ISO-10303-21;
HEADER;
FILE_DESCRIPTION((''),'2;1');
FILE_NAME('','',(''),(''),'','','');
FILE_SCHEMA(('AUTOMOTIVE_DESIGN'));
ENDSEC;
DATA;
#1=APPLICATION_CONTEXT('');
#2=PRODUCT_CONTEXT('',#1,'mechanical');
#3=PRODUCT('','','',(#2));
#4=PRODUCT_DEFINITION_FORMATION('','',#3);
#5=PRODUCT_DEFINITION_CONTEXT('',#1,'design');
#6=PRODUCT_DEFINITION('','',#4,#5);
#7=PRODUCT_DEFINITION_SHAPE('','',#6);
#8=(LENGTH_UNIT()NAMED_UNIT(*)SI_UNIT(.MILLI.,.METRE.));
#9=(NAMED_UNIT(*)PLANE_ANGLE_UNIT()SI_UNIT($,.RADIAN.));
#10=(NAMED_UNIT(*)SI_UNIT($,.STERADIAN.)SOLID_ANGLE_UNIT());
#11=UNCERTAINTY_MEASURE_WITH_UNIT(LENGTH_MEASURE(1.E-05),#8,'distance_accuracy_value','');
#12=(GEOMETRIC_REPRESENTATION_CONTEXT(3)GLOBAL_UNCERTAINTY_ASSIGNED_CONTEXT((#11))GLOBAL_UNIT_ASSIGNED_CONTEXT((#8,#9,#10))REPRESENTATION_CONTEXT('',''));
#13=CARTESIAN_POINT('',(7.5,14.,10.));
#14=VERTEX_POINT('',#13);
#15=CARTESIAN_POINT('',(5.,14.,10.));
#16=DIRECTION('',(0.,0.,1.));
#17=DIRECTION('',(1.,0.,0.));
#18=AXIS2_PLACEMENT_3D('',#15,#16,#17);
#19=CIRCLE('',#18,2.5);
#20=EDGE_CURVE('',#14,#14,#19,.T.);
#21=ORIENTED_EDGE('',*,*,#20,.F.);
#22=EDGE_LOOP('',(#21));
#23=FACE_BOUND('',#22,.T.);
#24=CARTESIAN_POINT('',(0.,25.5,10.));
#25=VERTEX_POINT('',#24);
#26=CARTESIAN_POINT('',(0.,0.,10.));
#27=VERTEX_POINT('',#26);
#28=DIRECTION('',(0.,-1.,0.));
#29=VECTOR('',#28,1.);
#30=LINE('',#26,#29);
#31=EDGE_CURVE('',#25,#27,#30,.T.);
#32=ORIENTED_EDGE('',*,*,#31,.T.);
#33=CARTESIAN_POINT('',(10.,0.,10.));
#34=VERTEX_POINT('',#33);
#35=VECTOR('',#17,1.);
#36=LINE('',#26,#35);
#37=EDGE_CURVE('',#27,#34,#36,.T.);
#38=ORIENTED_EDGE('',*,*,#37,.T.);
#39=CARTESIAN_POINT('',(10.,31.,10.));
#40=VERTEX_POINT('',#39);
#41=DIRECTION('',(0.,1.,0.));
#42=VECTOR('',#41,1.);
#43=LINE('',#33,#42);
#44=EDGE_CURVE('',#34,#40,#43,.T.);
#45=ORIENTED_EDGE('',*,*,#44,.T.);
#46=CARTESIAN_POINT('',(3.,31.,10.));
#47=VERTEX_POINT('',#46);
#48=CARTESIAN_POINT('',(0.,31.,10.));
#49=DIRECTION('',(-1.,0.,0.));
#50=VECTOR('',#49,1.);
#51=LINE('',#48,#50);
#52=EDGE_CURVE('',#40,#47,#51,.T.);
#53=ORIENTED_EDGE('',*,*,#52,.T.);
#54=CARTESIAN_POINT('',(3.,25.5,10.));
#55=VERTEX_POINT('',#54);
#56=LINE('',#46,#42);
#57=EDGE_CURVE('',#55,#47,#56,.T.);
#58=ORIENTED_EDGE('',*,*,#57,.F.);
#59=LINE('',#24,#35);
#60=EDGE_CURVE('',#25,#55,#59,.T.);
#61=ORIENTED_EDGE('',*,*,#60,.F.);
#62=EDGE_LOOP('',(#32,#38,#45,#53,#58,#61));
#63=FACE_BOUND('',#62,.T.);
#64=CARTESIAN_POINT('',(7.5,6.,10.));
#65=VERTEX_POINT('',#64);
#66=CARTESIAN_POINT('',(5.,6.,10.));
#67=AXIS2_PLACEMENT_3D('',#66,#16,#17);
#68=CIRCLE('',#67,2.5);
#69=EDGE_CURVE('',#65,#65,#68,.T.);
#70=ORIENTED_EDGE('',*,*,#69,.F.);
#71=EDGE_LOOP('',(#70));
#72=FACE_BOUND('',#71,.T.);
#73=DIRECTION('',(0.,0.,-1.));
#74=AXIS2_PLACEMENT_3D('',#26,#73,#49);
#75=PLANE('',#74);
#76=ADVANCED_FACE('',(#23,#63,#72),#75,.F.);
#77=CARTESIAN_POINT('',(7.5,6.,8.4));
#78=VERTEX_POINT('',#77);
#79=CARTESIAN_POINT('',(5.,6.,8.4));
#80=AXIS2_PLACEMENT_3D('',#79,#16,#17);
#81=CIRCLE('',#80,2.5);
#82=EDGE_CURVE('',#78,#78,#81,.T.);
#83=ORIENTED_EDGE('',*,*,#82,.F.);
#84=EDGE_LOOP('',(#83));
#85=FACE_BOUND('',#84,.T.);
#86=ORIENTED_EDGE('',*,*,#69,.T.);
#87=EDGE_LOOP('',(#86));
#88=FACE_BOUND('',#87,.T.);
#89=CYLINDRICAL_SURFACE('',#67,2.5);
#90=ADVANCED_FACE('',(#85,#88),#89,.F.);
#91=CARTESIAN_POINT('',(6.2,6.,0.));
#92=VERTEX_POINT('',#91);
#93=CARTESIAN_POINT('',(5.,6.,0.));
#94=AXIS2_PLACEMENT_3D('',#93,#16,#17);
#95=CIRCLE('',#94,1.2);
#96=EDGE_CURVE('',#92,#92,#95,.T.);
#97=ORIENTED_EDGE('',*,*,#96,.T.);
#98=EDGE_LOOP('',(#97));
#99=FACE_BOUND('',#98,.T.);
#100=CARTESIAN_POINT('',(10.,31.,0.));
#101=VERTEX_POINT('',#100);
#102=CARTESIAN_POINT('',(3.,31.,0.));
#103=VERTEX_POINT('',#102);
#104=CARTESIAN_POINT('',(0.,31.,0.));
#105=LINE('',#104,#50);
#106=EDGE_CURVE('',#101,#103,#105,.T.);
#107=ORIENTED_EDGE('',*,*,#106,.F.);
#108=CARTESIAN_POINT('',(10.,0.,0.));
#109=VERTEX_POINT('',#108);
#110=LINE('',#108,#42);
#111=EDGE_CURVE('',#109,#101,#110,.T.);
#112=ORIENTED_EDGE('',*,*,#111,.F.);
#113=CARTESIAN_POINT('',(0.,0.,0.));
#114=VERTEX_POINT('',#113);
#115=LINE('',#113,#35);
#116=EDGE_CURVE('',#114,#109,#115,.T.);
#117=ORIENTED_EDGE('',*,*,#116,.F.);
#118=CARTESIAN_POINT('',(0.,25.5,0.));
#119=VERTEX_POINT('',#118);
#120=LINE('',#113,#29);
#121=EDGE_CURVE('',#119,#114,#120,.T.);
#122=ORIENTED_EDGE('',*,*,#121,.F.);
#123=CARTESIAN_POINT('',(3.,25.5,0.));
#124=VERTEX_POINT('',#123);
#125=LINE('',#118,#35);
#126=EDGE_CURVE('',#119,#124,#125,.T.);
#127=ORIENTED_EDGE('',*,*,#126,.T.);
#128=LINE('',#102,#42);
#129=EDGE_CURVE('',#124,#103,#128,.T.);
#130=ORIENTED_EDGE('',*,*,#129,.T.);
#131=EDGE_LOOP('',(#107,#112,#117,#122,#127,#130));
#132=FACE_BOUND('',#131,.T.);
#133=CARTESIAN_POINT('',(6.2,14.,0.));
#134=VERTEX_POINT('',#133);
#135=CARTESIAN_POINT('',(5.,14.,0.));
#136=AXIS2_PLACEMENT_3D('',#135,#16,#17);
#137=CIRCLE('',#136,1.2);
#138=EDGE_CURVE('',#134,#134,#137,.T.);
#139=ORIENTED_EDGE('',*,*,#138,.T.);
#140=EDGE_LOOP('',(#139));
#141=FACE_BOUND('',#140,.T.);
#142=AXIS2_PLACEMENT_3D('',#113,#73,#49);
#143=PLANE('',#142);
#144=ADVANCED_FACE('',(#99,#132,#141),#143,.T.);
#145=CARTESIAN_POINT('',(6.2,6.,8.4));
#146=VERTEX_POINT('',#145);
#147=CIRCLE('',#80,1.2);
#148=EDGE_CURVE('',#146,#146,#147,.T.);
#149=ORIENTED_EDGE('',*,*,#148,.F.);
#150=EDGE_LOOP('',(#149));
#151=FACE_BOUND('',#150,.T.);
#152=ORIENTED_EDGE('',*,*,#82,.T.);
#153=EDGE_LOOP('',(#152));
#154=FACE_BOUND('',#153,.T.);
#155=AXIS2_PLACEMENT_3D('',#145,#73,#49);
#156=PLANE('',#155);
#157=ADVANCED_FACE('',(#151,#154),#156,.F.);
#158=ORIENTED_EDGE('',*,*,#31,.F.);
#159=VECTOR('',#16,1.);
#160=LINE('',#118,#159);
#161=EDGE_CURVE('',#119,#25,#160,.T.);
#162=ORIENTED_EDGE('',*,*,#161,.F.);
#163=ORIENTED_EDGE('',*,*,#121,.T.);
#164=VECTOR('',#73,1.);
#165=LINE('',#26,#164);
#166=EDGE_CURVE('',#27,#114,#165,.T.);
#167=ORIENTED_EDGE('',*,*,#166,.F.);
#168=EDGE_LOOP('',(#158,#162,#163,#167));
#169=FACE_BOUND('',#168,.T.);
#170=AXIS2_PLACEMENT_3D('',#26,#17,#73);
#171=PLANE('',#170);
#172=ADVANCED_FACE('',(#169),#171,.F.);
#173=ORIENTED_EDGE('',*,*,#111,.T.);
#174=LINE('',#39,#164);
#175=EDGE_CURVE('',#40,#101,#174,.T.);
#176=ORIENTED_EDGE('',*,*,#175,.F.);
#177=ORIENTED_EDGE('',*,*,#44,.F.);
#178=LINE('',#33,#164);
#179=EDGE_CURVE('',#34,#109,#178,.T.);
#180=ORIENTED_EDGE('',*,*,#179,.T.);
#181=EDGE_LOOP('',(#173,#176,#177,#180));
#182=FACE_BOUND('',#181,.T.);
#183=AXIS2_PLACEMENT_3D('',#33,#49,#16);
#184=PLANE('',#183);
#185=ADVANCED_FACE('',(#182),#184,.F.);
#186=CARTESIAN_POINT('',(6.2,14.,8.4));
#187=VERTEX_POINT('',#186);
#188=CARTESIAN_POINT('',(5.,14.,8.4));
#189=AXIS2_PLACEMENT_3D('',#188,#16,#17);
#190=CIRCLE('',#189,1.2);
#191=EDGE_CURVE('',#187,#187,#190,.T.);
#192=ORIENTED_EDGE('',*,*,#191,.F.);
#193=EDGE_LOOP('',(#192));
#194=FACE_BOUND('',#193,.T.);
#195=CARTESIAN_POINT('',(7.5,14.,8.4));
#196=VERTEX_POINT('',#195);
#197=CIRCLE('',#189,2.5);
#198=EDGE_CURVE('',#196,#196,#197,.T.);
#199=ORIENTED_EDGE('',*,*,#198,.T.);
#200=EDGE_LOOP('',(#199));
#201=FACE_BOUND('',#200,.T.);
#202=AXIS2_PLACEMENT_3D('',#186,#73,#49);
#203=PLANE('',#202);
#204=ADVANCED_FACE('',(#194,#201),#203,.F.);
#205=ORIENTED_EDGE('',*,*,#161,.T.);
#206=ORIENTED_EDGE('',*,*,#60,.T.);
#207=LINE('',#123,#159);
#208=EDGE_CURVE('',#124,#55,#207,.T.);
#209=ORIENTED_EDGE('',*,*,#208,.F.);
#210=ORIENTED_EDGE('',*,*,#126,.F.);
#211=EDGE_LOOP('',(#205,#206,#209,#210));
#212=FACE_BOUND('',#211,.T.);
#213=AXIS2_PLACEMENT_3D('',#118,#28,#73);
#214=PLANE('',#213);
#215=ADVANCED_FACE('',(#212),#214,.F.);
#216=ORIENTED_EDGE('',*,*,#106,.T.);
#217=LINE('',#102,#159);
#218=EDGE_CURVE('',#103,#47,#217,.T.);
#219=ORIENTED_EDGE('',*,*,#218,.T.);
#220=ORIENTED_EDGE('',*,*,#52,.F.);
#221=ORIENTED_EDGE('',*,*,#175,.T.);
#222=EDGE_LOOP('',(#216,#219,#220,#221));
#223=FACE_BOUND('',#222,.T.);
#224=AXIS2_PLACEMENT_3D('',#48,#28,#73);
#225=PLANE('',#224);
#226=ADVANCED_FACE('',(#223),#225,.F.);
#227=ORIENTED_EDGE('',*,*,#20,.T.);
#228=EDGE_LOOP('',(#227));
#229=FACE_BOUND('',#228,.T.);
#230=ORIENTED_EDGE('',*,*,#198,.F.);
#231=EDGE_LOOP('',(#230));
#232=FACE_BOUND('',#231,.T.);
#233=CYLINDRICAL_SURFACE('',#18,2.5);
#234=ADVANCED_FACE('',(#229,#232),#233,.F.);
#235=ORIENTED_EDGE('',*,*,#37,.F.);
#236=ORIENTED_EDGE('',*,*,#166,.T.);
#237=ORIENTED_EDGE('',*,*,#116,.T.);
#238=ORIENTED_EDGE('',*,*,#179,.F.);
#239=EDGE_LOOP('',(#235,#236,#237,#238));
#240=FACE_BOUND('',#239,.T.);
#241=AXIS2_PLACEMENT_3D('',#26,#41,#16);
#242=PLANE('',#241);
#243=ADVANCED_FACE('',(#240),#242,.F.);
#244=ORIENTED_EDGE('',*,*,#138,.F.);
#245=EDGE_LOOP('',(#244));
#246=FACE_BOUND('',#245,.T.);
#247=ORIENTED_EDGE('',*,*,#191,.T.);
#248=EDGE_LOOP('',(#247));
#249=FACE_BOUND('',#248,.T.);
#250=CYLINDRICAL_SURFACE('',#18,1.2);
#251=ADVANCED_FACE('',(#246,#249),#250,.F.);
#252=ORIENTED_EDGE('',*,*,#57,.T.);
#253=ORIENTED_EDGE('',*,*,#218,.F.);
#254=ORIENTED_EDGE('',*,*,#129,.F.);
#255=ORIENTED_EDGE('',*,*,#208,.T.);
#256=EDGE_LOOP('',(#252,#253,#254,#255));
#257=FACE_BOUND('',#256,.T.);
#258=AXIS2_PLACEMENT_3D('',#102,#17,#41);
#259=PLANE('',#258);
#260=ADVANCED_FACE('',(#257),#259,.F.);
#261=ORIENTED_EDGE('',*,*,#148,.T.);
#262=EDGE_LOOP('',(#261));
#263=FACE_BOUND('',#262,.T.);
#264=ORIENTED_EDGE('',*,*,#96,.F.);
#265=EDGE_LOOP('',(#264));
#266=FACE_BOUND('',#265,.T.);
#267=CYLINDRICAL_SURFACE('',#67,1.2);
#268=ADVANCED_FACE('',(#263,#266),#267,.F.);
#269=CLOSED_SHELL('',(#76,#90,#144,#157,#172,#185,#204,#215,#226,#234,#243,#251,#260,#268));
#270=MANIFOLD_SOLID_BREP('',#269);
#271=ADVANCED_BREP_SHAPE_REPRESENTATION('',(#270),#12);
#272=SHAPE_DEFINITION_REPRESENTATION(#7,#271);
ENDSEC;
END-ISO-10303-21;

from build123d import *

# Parameters (mm, degrees)
SKETCH1_W                                = 10
SKETCH1_H                                = 31
BOSS_EXTRUDE1_DEPTH                      = 10
SKETCH2_W                                = 3
SKETCH2_H                                = 5.5
CUT_EXTRUDE1_DEPTH                       = 10
CBORE_FOR_M2_PAN_HEAD_SCREW1_D           = 2.4
CBORE_FOR_M2_PAN_HEAD_SCREW1_DEPTH       = 10
CBORE_FOR_M2_PAN_HEAD_SCREW1_CBORE_D     = 5
CBORE_FOR_M2_PAN_HEAD_SCREW1_CBORE_DEPTH = 1.6
CBORE_FOR_M2_PAN_HEAD_SCREW1_TIP         = 0.721032743


with BuildPart() as part:
    # Sketch1 → Boss-Extrude1 (new body)
    with BuildSketch(Plane.XY):
        with Locations((5, 15.5)):
            Rectangle(SKETCH1_W, SKETCH1_H)
    extrude(amount=BOSS_EXTRUDE1_DEPTH)

    # Sketch2 → Cut-Extrude1 (cut)
    with BuildSketch(Plane.XY.offset(10)):
        with Locations((1.5, 28.25)):
            Rectangle(SKETCH2_W, SKETCH2_H)
    extrude(amount=-CUT_EXTRUDE1_DEPTH, mode=Mode.SUBTRACT)

    # CBORE for M2 Pan Head Screw1
    with Locations(Plane.XY.offset(10)):
        with Locations((5, 14), (5, 6)):
            CounterBoreHole(CBORE_FOR_M2_PAN_HEAD_SCREW1_D / 2, CBORE_FOR_M2_PAN_HEAD_SCREW1_CBORE_D / 2, CBORE_FOR_M2_PAN_HEAD_SCREW1_CBORE_DEPTH, depth=CBORE_FOR_M2_PAN_HEAD_SCREW1_DEPTH)
            with Locations((0, 0, -(CBORE_FOR_M2_PAN_HEAD_SCREW1_DEPTH + CBORE_FOR_M2_PAN_HEAD_SCREW1_TIP / 2))):  # 118° drill point
                Cone(0, CBORE_FOR_M2_PAN_HEAD_SCREW1_D / 2, CBORE_FOR_M2_PAN_HEAD_SCREW1_TIP, mode=Mode.SUBTRACT)


solid = part.part
